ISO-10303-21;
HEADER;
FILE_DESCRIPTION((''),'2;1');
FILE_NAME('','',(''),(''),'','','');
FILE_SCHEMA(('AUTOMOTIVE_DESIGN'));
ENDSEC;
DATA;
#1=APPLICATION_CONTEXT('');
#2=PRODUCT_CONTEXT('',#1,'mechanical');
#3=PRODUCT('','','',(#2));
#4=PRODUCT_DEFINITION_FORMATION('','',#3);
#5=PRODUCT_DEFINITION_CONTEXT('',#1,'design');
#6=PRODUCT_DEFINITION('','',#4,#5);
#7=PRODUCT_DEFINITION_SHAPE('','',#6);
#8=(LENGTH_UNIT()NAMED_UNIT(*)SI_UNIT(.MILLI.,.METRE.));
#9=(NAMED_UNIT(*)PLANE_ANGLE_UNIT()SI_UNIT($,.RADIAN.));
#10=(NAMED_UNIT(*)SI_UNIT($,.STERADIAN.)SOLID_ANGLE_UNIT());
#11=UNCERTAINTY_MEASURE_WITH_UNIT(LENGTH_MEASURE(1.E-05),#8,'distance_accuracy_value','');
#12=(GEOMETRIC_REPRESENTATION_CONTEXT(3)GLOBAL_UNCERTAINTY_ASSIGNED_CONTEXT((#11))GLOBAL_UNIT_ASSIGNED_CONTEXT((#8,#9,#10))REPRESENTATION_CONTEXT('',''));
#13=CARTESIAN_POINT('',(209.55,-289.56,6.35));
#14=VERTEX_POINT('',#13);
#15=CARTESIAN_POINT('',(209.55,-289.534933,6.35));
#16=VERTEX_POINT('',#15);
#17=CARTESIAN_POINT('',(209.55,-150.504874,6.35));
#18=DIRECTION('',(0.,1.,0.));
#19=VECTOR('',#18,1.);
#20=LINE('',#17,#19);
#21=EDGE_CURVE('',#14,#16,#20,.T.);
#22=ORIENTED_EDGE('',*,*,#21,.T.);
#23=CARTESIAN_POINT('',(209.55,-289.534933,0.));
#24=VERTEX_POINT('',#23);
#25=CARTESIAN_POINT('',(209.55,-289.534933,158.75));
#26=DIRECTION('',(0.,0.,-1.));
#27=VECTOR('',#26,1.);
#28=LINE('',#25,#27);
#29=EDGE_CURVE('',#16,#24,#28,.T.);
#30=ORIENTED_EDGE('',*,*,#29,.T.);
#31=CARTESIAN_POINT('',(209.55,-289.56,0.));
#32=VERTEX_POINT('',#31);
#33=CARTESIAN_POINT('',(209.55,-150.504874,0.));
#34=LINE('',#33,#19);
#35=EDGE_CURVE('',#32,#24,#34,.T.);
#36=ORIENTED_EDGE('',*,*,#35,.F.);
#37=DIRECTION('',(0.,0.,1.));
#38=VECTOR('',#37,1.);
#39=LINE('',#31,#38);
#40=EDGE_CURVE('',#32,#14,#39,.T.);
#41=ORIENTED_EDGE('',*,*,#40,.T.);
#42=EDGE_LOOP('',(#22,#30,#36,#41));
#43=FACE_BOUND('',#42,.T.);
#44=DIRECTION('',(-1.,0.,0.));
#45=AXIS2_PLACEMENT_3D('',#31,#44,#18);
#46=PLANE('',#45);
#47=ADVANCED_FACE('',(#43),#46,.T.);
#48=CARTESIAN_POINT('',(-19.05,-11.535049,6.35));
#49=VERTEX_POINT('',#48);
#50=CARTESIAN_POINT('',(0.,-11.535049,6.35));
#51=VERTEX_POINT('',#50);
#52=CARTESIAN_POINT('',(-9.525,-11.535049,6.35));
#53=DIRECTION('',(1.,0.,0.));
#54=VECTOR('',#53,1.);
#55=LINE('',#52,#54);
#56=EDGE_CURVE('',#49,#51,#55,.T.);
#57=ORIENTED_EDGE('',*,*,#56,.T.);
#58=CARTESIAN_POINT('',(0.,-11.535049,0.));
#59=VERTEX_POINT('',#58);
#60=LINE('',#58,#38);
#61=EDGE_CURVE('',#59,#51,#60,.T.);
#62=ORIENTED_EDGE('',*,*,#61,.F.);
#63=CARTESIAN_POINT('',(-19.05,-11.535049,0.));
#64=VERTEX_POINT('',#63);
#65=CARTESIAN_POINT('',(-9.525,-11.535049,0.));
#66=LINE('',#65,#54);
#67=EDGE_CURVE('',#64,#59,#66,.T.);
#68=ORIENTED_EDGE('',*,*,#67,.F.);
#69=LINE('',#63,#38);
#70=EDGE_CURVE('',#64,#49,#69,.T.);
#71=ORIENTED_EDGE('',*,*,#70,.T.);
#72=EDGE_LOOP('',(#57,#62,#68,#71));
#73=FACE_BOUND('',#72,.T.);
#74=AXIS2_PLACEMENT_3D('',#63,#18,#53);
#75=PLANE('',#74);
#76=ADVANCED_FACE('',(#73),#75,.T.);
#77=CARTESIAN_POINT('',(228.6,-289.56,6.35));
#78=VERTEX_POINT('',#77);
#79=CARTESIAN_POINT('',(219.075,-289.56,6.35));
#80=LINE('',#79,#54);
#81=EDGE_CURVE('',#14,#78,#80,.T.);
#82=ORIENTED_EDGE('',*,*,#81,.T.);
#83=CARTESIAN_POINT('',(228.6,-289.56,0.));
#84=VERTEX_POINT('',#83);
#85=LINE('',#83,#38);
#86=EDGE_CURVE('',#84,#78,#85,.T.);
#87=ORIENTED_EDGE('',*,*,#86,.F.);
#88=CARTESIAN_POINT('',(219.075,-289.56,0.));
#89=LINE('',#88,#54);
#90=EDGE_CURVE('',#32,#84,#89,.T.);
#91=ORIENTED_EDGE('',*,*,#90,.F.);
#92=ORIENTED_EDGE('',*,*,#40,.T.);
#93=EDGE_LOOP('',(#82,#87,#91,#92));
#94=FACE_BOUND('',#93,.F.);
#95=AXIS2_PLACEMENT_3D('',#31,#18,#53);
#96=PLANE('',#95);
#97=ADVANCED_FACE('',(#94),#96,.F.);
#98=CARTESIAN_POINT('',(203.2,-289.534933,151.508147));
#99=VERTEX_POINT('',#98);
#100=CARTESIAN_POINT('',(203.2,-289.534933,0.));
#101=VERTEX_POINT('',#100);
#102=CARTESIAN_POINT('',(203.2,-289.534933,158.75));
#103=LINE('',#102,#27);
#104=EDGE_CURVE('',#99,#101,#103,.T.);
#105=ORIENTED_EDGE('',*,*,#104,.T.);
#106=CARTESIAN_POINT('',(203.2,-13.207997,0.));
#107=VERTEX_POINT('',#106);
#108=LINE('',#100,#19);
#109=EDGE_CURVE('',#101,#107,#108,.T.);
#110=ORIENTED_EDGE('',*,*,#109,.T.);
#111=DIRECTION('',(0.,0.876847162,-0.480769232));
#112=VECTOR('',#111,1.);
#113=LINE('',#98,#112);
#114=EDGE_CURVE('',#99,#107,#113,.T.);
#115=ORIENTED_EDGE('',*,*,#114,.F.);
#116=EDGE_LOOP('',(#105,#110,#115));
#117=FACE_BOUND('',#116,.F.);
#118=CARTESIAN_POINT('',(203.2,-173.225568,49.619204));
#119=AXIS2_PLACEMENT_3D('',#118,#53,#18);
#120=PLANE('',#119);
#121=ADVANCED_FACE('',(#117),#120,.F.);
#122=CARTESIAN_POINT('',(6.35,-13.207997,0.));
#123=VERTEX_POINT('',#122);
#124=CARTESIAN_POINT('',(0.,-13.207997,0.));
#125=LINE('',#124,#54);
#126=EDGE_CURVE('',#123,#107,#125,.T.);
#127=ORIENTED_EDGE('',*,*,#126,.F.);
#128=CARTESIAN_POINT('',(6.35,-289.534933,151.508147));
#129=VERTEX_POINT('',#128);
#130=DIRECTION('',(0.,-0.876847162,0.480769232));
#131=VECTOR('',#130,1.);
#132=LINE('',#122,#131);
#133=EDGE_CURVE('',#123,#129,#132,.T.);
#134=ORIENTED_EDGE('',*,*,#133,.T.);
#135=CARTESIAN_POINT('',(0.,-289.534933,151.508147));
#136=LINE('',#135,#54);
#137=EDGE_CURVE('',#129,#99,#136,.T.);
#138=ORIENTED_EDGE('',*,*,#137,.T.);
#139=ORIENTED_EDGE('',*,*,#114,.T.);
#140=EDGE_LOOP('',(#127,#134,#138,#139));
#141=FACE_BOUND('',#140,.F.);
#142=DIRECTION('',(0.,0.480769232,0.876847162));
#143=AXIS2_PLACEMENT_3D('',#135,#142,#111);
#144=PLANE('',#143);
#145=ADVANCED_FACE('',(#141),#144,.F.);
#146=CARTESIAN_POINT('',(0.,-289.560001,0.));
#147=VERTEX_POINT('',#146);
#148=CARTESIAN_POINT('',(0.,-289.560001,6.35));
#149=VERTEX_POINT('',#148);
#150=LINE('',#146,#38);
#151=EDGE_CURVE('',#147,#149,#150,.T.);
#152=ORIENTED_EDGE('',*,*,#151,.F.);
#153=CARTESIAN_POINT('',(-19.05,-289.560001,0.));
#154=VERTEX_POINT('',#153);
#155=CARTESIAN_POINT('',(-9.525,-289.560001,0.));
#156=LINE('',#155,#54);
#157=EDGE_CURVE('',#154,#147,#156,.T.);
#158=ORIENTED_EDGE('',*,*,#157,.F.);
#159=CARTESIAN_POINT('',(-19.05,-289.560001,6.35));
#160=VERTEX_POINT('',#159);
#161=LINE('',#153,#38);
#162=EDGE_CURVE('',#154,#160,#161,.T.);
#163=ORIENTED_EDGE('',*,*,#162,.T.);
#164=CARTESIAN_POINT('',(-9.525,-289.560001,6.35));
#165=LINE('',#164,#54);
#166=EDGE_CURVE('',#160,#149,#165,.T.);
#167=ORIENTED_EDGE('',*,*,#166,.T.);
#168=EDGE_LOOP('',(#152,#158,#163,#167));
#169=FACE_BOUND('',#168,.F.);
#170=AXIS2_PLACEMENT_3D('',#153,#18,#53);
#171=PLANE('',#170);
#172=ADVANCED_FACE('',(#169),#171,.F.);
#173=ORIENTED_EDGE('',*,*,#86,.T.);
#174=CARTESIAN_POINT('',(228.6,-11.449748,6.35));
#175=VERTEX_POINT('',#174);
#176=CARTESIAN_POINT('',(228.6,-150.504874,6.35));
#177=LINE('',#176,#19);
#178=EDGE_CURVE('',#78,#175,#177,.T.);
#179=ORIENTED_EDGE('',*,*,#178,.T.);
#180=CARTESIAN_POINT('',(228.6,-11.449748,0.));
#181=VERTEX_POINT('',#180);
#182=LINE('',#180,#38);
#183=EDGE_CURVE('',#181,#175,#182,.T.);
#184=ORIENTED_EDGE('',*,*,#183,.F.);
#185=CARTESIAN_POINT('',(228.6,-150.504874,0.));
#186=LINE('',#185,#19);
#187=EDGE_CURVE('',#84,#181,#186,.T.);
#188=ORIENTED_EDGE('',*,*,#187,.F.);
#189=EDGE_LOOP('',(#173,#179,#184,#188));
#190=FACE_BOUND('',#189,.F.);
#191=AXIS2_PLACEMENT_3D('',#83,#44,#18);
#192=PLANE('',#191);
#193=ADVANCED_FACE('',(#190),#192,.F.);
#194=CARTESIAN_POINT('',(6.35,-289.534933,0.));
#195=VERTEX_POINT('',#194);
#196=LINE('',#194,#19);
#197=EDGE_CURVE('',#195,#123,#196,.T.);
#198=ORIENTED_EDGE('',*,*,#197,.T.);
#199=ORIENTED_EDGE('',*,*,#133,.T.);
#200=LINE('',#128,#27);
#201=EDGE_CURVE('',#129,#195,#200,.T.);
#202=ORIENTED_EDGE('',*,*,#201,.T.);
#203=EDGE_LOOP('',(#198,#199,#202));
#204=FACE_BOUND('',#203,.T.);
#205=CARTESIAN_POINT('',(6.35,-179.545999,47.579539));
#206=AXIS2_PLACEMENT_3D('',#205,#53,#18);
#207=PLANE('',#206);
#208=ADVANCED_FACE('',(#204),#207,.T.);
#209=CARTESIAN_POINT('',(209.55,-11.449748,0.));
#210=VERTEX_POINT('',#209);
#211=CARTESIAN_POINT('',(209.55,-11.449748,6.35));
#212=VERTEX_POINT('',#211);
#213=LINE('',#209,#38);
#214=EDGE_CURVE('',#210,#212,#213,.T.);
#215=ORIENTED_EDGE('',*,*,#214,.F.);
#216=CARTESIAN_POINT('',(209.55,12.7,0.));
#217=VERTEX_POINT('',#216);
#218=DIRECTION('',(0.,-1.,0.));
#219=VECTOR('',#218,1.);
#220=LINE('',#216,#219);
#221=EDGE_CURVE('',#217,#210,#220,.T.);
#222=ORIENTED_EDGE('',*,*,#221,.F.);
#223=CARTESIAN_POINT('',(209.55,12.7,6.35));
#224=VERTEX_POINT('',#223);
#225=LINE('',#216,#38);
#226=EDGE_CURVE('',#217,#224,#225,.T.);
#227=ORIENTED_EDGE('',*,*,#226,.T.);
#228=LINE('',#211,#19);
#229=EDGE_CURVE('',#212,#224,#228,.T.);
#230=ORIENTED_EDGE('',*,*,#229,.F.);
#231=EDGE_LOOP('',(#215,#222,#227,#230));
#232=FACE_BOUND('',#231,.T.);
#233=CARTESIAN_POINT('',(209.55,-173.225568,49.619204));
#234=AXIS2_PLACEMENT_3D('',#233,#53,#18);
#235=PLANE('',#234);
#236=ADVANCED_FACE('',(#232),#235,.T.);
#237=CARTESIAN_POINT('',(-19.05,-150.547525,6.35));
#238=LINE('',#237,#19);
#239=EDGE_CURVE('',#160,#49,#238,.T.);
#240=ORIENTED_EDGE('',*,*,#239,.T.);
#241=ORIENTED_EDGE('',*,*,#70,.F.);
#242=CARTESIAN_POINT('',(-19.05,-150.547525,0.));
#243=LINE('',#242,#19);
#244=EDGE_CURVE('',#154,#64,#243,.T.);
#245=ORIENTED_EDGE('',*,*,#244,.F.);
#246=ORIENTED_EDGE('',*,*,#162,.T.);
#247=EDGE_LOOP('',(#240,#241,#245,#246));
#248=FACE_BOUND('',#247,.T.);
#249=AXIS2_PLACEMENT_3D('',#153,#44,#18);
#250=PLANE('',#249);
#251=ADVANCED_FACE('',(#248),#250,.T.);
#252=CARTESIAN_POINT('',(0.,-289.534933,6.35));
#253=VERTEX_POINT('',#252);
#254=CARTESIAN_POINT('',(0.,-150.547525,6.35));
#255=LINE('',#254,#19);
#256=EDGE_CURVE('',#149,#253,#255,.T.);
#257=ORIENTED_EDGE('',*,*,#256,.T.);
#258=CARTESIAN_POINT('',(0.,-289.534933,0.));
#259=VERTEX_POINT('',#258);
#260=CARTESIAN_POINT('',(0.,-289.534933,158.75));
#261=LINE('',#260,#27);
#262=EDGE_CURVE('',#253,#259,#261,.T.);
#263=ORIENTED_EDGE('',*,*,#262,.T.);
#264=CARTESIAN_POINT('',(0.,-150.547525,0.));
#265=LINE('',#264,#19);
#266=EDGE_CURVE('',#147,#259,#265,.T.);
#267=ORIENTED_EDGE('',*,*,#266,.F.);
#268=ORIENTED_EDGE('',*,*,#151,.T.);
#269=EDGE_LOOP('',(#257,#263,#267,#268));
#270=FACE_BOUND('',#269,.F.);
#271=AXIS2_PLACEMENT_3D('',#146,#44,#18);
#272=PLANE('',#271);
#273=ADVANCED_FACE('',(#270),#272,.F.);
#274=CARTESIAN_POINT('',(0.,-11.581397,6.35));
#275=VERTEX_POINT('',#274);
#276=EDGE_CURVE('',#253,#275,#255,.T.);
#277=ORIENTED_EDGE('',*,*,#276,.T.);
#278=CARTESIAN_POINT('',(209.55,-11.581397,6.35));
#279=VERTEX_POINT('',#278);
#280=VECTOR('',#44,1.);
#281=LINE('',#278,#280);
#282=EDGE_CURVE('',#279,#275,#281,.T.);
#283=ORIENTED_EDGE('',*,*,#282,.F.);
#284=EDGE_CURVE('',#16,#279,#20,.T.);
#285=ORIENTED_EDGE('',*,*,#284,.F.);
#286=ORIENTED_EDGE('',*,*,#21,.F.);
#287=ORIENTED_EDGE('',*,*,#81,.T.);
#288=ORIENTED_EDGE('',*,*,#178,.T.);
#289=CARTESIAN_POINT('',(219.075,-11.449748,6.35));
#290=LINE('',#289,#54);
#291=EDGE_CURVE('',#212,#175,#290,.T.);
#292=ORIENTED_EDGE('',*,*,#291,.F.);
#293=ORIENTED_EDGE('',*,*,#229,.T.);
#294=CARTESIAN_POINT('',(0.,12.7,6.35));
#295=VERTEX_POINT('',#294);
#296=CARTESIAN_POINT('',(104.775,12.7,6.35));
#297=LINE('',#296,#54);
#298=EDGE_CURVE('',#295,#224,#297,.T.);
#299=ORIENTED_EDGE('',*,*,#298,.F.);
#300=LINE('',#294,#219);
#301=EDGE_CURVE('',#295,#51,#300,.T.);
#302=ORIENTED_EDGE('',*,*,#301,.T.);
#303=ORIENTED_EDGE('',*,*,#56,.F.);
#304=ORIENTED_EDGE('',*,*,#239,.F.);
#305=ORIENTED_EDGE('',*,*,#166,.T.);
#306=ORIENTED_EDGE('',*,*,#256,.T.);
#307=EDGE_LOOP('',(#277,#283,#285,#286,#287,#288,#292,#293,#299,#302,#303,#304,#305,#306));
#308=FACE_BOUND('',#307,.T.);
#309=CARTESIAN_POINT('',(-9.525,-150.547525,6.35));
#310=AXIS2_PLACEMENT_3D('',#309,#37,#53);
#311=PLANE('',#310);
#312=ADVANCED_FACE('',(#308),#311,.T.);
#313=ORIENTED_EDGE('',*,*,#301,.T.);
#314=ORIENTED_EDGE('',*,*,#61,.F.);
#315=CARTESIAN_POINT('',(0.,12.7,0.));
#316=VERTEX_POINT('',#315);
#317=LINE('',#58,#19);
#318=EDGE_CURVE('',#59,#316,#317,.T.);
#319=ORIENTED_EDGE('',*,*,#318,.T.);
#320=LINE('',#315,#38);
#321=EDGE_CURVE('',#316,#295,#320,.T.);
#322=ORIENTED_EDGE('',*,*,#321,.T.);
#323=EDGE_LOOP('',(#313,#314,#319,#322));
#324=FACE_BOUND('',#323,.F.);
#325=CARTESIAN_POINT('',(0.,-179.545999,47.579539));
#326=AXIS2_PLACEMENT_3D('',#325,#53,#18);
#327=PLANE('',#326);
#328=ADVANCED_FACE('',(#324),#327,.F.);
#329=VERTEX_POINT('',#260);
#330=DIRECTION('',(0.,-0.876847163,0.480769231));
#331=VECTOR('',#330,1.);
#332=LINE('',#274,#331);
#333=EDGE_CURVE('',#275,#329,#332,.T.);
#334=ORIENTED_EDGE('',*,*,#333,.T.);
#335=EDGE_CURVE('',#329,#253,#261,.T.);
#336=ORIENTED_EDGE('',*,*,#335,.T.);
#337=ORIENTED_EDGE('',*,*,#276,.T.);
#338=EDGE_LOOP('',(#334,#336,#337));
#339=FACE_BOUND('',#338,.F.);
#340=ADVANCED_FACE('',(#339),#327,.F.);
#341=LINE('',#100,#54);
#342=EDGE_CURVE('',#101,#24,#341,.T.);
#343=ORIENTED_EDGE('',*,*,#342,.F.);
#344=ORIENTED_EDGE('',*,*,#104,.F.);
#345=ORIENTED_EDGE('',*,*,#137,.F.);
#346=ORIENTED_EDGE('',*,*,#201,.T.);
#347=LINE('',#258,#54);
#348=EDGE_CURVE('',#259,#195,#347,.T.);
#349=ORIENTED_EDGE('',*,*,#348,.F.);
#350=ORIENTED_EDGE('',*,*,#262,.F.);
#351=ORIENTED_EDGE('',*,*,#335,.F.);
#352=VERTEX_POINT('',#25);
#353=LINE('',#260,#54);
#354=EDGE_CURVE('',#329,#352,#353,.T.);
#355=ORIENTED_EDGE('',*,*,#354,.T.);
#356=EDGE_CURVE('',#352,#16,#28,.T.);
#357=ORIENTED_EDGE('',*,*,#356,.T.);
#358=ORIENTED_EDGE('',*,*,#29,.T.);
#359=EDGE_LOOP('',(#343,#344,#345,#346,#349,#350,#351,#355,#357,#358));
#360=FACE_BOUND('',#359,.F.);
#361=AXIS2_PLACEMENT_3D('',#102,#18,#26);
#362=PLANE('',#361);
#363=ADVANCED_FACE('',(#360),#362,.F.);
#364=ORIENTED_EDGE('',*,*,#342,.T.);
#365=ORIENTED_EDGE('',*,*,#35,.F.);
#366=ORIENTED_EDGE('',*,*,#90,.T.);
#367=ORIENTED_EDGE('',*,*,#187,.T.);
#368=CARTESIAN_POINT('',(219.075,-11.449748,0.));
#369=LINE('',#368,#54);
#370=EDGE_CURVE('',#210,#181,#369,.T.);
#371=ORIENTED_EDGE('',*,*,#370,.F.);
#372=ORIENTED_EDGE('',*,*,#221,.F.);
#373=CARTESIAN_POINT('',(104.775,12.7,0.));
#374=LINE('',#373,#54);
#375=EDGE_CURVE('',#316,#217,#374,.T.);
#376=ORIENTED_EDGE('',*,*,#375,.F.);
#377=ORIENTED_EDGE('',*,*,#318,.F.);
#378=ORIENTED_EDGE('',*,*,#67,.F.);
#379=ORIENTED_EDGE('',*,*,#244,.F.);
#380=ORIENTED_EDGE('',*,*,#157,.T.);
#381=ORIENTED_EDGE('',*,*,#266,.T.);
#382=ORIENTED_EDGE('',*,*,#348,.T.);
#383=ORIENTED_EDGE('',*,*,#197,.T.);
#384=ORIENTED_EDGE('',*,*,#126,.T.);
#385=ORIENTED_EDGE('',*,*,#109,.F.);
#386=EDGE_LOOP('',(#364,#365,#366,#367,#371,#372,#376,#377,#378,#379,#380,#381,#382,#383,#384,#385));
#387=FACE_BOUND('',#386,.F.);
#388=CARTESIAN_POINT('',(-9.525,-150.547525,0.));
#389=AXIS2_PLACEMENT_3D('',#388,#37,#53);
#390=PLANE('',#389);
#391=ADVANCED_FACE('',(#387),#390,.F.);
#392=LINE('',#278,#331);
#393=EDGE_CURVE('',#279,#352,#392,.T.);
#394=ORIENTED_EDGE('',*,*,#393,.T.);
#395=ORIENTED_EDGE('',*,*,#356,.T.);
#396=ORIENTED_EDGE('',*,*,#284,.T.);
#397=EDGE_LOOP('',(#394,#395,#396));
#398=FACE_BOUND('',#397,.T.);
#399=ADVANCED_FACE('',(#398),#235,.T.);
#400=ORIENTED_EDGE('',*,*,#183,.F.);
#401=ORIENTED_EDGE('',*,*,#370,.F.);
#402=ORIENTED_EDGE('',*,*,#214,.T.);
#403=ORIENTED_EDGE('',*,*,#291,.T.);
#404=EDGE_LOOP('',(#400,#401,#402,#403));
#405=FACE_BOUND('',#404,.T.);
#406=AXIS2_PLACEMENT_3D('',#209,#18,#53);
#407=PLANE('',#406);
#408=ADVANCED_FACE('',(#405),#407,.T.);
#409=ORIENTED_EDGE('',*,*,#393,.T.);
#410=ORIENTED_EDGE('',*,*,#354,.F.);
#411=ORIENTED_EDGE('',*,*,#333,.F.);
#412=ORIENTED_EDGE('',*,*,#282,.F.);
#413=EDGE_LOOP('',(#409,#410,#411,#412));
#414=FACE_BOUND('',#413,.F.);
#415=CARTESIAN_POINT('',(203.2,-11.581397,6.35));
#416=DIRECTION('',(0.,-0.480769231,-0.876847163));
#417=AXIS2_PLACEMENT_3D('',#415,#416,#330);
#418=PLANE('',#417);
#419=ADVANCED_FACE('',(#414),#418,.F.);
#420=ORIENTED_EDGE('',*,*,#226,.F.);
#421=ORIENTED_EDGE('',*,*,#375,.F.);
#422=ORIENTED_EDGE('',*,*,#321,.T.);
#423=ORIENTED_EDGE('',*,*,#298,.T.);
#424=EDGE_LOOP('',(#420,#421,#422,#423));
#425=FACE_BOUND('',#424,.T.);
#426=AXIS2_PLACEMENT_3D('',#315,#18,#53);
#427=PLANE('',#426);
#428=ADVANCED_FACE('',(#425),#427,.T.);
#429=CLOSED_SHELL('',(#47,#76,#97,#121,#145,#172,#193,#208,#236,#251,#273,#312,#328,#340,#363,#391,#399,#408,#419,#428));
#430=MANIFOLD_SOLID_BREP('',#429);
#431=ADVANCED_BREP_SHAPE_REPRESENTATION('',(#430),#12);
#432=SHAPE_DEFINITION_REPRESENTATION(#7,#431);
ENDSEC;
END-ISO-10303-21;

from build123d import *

# Parameters (mm, degrees)
F1_DEPTH = 203.2
F2_DEPTH = 6.35
F4_DEPTH = 6.35
F5_W     = 19.05
F5_H     = 278.024951
F5_W_2   = 209.55
F5_H_2   = 12.7
F5_H_3   = 278.110252
F6_DEPTH = 6.35


with BuildPart() as f1:
    # F0 (on Right) → F1 (new body)
    with BuildSketch(Plane.YZ):
        Polygon((0, 6.35), (-11.581397, 6.35), (-289.534933, 158.75), (-289.534933, 151.508147), (-13.207997, 0), (0, 0), align=None)
    extrude(amount=F1_DEPTH)

    # F0 (on Right) → F2 (join)
    with BuildSketch(Plane.YZ):
        Polygon((-13.207997, 0), (-289.534933, 151.508147), (-289.534933, 0), align=None)
    extrude(amount=F2_DEPTH)

    # F3 (on face) → F4 (join)
    with BuildSketch(Plane.YZ.offset(203.2)):
        Polygon((-11.581397, 6.35), (-289.534933, 158.75), (-289.534933, 0), (0, 0), (0, 6.35), align=None)
    extrude(amount=F4_DEPTH)

    # F5 (on Top) → F6 (join)
    with BuildSketch(Plane.XY):
        with Locations((-9.525, -150.547525)):
            Rectangle(F5_W, F5_H)
        with Locations((104.775, 6.35)):
            Rectangle(F5_W_2, F5_H_2)
        with Locations((219.075, -150.504874)):
            Rectangle(F5_W, F5_H_3)
    extrude(amount=F6_DEPTH)


solid = f1.part
